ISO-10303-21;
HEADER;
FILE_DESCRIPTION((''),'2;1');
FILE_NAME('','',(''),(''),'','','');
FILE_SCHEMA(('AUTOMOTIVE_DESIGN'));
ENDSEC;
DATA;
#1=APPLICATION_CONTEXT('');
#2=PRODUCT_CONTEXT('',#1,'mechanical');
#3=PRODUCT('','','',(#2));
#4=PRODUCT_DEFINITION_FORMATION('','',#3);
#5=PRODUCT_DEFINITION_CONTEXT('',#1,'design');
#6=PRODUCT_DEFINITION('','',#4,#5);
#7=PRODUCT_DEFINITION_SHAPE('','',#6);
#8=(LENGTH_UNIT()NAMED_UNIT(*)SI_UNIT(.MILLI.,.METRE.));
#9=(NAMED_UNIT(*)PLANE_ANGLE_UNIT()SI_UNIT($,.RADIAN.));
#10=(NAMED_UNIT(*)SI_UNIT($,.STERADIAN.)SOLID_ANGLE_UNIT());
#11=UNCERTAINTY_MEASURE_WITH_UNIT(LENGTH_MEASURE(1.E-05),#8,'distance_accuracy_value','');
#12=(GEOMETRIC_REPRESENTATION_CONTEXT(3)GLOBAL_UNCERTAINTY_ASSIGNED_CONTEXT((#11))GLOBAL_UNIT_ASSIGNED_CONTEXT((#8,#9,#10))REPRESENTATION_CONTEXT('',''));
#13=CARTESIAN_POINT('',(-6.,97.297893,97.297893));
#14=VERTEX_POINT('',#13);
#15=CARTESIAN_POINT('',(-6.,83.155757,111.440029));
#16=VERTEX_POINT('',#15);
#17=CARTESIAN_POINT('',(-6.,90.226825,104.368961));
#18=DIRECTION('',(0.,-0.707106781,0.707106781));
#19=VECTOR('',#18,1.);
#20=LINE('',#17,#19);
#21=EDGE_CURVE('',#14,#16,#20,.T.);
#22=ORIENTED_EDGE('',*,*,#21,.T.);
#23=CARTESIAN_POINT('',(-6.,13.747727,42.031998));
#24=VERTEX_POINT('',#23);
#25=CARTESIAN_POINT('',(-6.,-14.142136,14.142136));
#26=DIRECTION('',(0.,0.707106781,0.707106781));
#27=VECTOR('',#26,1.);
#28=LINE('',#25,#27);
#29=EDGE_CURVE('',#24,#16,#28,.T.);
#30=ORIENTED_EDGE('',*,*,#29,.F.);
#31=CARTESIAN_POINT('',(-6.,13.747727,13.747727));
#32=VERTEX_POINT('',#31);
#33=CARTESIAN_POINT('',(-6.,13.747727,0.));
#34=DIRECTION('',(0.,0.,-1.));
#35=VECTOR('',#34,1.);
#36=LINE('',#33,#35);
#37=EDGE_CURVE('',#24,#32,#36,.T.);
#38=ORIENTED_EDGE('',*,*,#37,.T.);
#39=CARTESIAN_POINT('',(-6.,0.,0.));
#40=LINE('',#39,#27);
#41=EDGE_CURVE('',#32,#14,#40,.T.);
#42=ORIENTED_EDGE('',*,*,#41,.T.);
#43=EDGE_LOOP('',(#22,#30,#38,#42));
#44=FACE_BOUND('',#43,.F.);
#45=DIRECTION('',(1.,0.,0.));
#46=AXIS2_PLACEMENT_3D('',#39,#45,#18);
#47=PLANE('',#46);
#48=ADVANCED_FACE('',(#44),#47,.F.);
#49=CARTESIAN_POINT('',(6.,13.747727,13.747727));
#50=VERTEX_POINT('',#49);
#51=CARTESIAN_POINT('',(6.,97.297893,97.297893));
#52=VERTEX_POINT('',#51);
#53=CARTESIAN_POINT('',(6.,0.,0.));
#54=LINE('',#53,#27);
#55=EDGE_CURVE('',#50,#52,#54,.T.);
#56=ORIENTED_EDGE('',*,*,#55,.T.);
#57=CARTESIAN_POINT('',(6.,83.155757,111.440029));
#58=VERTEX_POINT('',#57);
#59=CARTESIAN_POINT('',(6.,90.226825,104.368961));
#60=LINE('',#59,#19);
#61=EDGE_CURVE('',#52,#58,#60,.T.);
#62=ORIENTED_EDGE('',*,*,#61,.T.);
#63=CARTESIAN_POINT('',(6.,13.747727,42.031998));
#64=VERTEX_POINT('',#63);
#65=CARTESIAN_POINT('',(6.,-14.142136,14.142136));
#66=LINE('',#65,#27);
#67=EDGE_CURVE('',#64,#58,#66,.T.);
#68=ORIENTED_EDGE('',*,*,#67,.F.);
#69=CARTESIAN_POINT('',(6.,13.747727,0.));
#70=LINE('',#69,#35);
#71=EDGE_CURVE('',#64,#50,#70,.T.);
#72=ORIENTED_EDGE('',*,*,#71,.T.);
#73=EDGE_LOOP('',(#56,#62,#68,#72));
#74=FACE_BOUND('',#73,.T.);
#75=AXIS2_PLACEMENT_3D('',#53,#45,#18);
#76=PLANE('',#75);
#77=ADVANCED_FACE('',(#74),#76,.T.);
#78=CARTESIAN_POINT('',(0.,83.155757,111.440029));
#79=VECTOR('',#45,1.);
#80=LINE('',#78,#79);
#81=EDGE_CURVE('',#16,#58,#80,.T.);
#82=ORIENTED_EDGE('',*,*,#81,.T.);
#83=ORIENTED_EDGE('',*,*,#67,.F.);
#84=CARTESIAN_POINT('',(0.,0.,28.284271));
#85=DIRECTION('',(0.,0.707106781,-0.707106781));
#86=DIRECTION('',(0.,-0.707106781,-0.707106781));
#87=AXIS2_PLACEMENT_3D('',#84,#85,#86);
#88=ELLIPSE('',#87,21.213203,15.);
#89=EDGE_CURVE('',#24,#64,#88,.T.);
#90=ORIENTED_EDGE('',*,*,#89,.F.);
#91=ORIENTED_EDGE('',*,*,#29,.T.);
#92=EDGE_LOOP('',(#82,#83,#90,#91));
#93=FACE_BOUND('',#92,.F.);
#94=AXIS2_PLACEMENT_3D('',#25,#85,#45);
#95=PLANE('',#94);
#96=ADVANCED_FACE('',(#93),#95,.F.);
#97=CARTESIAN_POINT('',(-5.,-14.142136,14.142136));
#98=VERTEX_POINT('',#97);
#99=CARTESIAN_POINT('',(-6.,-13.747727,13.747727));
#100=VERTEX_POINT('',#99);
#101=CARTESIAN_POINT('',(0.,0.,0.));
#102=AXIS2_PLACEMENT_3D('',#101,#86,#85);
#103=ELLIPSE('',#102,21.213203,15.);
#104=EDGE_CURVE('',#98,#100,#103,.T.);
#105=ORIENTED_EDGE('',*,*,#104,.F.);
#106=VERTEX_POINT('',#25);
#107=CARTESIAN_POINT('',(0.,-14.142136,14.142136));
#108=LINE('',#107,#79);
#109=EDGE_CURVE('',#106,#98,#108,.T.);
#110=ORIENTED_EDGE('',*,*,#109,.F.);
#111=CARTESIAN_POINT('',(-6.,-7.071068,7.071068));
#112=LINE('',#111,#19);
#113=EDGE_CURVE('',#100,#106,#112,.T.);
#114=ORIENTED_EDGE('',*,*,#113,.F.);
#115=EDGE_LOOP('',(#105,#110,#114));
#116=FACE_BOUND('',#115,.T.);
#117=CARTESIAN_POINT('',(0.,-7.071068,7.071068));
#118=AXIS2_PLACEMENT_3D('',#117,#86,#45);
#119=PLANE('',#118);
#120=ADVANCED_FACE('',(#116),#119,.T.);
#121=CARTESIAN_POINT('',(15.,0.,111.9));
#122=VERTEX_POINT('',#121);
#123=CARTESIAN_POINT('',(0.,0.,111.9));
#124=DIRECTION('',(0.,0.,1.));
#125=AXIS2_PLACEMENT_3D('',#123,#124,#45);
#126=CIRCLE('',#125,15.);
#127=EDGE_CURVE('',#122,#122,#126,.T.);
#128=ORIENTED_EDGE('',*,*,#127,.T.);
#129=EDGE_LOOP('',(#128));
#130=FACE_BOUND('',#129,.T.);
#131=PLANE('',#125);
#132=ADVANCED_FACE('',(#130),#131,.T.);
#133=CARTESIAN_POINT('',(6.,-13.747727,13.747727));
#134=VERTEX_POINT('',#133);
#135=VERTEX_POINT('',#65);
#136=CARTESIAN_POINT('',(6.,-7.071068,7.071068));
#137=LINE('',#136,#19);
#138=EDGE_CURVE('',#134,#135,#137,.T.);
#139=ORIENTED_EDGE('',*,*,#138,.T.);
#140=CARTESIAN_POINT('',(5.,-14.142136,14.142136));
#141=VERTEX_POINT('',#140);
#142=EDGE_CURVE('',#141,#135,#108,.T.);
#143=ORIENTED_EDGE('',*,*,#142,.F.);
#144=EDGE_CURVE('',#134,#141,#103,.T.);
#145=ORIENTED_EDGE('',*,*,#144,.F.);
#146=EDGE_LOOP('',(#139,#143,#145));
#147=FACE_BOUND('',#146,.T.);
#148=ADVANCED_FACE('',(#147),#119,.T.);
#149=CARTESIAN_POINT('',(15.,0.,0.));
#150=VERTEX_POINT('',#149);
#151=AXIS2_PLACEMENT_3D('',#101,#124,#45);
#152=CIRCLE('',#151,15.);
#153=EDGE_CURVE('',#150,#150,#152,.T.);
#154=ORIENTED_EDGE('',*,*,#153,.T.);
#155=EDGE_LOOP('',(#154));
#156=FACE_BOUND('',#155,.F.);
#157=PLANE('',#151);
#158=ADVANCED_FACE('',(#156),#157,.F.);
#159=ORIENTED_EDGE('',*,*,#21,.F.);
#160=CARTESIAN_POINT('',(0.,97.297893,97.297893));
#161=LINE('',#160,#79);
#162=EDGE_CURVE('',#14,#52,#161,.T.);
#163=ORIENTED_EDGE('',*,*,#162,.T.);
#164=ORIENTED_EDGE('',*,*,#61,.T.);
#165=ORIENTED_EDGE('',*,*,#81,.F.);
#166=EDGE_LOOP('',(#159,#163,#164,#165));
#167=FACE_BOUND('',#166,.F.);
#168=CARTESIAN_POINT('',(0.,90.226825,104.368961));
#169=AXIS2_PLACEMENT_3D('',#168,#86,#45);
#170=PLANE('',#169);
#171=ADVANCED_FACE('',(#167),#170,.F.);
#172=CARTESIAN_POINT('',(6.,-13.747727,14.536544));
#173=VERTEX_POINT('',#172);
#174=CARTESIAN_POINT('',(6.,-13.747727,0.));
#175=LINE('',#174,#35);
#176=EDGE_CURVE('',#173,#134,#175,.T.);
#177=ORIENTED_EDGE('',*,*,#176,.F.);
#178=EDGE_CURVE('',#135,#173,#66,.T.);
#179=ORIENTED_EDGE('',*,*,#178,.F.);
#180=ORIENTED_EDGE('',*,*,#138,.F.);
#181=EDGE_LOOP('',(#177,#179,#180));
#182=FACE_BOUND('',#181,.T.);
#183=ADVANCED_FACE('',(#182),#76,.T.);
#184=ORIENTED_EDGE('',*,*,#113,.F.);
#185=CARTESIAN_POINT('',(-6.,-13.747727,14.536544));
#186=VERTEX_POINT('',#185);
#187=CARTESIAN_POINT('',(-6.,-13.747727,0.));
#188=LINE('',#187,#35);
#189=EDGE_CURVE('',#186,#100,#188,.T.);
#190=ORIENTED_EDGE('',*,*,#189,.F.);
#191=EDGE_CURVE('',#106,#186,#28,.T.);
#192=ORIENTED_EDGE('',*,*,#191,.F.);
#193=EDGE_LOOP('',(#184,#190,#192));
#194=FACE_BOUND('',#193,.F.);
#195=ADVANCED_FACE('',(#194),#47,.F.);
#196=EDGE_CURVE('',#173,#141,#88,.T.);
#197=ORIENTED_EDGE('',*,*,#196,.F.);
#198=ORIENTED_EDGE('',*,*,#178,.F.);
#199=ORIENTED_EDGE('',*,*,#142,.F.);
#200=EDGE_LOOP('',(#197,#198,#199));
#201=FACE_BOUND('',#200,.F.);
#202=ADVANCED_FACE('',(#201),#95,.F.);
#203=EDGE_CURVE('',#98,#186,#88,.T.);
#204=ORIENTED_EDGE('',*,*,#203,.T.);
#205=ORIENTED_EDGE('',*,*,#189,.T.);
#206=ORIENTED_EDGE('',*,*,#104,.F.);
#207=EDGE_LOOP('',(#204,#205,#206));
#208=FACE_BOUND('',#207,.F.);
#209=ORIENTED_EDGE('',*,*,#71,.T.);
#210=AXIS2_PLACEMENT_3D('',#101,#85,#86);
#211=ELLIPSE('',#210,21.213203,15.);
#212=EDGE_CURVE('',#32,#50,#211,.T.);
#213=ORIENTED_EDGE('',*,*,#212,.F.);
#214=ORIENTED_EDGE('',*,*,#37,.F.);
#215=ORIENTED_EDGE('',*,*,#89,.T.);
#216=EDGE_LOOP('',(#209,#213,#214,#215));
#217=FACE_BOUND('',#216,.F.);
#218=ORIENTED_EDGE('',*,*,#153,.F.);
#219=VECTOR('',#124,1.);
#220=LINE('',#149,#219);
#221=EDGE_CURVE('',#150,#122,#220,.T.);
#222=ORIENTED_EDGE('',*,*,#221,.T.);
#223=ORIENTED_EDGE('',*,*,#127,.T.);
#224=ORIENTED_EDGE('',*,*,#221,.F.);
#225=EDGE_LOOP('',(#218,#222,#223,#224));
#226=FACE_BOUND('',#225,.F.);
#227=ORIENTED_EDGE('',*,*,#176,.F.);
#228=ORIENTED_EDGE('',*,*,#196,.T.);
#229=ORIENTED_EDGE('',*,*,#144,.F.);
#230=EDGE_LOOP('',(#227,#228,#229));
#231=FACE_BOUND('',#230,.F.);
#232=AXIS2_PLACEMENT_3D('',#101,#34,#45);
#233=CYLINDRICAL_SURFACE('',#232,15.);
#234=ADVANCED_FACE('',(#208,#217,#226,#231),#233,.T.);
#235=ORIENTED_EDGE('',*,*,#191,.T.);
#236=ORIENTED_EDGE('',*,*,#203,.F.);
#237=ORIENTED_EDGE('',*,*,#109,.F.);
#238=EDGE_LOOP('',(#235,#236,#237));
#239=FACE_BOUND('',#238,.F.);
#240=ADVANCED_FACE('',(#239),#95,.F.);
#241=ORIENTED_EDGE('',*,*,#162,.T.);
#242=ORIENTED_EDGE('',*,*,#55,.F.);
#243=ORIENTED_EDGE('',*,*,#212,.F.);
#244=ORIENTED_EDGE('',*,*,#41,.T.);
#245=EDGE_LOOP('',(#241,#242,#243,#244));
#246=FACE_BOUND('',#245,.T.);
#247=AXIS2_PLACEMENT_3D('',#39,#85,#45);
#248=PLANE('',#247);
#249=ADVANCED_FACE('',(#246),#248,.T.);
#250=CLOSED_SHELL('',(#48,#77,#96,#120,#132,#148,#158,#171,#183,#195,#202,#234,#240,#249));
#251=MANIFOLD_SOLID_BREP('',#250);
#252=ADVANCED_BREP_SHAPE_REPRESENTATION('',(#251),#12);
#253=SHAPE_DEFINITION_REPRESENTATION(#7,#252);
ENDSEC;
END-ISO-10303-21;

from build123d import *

# Parameters (mm, degrees)
F0_R     = 15
F1_DEPTH = 111.9
F3_W     = 12
F3_H     = 20
F4_DEPTH = 137.6


with BuildPart() as f1:
    # F0 (on Top) → F1 (new body)
    with BuildSketch(Plane.XY):
        Circle(F0_R)
    extrude(amount=F1_DEPTH)

    # F3 (on face) → F4 (join)
    with BuildSketch(Plane(origin=(0, 0, 0), x_dir=(1, 0, 0), z_dir=(0, -0.7071067812, -0.7071067812))):
        with Locations((0, 10)):
            Rectangle(F3_W, F3_H)
    extrude(amount=-F4_DEPTH)


solid = f1.part
